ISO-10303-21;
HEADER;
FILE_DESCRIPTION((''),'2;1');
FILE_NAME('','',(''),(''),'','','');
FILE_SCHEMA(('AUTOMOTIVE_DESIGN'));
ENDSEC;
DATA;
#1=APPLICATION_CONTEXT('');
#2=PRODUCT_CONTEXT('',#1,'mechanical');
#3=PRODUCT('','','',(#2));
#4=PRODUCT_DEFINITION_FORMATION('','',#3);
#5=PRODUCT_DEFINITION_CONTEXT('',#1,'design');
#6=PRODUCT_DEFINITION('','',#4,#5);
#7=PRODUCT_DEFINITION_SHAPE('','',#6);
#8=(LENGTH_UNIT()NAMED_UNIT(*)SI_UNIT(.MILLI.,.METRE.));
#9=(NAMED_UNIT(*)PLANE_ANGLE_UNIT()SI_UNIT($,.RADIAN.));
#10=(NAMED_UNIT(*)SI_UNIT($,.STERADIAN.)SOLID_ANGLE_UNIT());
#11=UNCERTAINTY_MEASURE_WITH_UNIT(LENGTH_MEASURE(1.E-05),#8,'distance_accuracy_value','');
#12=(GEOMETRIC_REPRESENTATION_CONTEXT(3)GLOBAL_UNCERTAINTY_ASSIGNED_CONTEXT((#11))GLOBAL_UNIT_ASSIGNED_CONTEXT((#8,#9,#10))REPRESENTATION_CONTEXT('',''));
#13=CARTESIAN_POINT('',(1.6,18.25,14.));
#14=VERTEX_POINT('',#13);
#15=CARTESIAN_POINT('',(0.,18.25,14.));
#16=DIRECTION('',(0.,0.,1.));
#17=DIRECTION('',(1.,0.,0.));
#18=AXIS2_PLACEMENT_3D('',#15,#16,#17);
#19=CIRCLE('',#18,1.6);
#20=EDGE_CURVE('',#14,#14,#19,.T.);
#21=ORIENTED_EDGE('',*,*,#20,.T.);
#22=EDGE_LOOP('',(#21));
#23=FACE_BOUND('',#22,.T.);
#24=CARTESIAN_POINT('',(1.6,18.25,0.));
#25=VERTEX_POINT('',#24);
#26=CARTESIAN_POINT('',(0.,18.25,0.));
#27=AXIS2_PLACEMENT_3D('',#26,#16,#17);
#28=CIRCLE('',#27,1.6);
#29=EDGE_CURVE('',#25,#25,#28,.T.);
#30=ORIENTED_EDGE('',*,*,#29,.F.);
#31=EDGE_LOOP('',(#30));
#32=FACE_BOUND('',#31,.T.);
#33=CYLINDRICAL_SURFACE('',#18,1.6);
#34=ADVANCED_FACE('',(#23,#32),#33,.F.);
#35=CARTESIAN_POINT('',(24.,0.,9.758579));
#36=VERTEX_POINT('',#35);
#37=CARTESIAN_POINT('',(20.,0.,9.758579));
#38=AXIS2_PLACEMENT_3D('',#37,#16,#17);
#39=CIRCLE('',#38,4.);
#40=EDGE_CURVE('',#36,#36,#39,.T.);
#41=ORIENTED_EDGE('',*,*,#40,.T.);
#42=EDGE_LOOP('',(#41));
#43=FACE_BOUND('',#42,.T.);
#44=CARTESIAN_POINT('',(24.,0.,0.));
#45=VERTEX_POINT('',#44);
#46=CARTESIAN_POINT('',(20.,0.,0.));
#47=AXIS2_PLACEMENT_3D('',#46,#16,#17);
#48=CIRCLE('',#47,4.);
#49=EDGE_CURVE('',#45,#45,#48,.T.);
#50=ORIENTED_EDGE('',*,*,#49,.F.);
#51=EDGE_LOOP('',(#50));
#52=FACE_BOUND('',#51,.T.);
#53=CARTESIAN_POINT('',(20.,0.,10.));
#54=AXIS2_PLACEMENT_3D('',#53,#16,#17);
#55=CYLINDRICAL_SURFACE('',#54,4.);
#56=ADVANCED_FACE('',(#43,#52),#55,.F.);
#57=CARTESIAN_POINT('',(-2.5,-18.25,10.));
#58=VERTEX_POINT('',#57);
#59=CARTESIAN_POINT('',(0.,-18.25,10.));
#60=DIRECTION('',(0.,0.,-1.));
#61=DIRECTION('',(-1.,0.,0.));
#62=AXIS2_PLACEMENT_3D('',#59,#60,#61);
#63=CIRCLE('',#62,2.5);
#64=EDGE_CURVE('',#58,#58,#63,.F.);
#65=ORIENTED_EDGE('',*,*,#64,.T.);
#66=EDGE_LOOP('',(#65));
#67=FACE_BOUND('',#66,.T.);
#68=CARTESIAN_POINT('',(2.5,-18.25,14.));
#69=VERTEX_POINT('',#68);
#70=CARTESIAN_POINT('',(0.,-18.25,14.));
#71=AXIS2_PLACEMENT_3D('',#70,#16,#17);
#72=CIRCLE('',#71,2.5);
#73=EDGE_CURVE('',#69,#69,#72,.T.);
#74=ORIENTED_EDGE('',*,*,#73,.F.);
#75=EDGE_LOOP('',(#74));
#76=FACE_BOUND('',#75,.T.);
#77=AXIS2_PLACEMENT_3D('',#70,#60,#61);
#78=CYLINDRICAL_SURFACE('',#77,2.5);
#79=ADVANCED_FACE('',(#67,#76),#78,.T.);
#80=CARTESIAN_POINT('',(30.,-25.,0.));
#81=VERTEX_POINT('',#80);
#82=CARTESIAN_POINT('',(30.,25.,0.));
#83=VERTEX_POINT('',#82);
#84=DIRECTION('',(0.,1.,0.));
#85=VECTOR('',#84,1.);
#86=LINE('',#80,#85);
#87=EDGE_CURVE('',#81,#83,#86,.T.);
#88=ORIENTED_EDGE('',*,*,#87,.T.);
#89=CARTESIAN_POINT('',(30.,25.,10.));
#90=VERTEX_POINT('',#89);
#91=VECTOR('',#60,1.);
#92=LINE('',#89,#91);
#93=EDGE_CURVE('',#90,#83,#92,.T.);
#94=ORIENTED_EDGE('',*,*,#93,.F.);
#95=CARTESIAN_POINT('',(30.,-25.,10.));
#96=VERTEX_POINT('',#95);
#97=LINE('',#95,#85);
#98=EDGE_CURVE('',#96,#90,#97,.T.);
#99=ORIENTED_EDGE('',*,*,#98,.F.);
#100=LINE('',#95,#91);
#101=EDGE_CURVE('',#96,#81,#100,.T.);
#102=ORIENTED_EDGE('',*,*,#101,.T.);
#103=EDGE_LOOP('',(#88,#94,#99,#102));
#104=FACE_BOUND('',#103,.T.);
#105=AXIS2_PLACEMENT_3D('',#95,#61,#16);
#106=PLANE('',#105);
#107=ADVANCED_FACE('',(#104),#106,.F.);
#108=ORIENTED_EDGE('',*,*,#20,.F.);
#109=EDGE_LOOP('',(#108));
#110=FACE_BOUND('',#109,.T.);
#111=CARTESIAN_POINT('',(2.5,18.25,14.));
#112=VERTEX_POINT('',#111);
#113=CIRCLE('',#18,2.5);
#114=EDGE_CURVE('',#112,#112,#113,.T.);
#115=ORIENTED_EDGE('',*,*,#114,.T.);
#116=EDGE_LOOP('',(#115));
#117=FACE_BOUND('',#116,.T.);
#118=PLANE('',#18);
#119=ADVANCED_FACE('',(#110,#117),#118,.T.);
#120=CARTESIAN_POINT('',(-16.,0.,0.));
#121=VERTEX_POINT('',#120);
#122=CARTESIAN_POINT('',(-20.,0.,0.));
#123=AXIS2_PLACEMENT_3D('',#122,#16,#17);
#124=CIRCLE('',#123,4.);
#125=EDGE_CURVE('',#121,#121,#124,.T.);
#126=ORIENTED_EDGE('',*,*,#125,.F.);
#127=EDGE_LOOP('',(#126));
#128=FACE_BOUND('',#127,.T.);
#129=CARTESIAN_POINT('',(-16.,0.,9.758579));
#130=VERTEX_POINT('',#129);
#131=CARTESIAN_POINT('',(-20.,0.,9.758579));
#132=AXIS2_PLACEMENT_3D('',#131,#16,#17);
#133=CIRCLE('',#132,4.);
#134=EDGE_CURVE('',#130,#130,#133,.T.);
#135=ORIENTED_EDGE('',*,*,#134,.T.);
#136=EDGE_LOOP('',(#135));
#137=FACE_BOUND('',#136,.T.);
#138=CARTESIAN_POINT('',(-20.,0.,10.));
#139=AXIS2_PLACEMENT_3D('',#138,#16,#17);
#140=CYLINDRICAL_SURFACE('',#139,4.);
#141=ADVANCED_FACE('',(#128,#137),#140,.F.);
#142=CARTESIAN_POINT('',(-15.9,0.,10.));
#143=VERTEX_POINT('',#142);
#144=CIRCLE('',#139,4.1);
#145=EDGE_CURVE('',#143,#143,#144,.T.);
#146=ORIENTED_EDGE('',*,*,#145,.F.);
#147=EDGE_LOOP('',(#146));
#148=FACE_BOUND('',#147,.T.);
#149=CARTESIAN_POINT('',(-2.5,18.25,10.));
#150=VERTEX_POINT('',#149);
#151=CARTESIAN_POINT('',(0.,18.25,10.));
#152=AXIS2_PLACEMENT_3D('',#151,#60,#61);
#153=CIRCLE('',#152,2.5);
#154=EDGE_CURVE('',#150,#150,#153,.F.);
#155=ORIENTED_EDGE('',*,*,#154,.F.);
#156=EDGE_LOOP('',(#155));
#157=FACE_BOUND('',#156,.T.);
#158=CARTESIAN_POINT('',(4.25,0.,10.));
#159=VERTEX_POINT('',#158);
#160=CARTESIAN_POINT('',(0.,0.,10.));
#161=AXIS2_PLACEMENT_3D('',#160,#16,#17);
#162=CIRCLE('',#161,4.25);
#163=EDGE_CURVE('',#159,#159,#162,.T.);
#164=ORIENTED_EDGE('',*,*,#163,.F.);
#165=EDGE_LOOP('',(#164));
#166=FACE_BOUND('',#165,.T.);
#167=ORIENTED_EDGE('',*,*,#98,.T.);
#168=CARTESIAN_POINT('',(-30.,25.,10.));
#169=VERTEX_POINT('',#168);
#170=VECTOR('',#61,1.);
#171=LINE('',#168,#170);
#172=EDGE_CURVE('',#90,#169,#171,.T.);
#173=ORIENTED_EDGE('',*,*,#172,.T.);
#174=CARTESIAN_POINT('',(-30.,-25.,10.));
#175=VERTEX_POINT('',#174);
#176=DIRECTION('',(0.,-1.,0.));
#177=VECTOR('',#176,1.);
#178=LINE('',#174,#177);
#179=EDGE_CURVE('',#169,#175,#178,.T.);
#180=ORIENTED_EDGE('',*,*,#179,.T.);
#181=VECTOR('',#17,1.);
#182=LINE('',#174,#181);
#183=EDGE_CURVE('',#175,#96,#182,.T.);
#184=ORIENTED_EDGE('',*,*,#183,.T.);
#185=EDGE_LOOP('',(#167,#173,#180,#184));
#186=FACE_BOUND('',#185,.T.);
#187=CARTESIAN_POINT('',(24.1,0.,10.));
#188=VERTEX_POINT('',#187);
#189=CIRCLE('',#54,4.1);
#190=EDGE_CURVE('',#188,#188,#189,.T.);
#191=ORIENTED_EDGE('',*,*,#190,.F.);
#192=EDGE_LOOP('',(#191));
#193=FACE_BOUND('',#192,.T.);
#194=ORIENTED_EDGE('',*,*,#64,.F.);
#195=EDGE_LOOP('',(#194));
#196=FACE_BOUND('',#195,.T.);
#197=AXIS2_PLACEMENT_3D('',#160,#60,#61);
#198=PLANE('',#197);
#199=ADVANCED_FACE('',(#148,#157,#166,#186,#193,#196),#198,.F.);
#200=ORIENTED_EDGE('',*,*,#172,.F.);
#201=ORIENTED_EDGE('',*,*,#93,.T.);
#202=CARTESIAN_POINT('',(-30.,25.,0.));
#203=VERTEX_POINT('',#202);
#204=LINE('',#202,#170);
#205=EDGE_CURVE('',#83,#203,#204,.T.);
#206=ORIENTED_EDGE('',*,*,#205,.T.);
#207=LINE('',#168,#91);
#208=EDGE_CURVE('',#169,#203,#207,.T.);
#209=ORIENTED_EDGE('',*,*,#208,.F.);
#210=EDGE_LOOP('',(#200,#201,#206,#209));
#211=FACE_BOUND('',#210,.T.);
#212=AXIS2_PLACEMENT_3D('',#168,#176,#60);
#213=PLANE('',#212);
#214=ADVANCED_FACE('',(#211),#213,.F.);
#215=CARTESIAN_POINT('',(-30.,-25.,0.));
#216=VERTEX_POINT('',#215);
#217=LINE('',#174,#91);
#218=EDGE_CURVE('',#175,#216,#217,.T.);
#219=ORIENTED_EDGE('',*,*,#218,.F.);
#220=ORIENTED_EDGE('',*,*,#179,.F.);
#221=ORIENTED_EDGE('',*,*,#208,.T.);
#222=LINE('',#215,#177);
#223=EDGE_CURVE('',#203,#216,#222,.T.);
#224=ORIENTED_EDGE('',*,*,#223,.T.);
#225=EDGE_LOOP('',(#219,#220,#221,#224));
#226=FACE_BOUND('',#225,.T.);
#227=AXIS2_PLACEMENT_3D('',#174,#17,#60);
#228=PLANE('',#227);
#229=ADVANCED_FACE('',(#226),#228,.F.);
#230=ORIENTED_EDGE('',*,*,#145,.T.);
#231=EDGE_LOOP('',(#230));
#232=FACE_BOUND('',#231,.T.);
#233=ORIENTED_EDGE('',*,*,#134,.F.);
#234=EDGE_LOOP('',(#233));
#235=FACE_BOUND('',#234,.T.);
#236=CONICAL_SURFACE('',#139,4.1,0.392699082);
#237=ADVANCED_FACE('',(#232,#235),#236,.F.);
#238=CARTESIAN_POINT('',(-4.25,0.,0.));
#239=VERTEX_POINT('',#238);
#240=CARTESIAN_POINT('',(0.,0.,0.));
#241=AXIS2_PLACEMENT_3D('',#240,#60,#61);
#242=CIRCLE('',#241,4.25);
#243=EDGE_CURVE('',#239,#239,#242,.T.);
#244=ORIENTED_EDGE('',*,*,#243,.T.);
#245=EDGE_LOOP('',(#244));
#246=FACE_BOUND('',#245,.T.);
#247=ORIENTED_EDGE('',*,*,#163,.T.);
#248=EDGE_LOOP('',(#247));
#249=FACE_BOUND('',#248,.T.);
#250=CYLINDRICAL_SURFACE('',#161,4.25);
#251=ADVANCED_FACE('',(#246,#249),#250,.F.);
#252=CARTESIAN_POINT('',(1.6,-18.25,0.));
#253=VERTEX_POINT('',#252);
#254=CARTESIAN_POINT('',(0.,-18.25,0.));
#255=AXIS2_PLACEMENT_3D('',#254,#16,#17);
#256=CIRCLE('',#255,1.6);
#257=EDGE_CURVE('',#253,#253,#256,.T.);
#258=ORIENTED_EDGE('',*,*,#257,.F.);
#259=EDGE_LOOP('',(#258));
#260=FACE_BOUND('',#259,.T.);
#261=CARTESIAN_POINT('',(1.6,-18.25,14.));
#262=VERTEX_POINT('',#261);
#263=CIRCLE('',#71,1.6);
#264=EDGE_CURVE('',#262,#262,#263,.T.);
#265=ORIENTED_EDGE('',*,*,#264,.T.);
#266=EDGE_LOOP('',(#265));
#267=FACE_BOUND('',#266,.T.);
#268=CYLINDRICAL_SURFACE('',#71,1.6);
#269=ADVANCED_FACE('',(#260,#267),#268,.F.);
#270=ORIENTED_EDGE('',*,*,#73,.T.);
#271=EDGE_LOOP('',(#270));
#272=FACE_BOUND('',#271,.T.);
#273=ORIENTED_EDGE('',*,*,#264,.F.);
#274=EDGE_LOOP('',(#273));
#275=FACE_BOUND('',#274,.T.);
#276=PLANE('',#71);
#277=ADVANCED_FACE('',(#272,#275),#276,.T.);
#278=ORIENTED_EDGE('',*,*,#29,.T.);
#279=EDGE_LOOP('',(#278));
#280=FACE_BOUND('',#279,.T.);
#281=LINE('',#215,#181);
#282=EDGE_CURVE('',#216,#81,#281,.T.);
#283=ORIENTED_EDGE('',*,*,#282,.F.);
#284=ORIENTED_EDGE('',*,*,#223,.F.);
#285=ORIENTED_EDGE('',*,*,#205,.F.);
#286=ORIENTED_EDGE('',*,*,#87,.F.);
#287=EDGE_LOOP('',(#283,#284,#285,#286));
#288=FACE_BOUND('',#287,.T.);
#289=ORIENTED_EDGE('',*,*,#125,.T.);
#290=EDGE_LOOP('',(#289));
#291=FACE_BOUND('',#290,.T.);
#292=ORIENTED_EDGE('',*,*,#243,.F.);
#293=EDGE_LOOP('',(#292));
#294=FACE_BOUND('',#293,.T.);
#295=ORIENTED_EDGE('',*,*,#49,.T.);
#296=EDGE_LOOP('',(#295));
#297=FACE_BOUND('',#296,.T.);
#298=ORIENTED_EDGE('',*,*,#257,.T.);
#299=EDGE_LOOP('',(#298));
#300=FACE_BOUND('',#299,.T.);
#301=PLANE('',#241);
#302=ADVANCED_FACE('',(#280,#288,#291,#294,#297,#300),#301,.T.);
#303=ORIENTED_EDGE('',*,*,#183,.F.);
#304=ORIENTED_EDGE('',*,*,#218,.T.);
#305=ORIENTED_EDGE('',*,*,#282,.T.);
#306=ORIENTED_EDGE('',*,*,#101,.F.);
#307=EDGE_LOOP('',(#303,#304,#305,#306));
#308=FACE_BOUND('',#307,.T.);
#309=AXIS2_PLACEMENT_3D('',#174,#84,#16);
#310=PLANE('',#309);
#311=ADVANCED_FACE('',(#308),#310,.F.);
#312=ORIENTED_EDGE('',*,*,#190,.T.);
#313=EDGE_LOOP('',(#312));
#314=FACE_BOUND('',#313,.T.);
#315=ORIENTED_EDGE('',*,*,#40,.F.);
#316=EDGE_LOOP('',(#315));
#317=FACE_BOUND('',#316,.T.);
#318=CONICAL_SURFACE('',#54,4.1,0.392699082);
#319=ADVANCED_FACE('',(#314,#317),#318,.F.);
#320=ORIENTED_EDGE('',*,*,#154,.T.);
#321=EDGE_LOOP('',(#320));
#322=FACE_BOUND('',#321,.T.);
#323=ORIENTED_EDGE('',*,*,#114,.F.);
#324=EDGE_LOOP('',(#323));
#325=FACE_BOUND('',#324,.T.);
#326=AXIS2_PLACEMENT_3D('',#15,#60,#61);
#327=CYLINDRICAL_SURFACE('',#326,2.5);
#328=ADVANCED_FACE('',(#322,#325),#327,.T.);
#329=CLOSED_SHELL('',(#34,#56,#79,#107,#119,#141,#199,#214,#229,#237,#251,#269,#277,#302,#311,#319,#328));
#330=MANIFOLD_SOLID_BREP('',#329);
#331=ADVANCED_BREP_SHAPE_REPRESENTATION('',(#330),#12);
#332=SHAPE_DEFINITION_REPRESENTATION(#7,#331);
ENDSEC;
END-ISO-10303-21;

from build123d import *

# Parameters (mm, degrees)
SKETCH_1_W                = 60
SKETCH_1_H                = 50
EXTRUDE_1_DEPTH           = 10
HOLE_WIZARD_1_D           = 8.5
HOLE_WIZARD_1_DEPTH       = 20
HOLE_WIZARD_2_D           = 8
HOLE_WIZARD_2_CSINK_D     = 8.2
HOLE_WIZARD_2_CSINK_ANGLE = 45
SKETCH_9_R                = 2.5
EXTRUDE_3_DEPTH           = 4
HOLE_WIZARD_3_D           = 3.2


with BuildPart() as part:
    # 草图1 → 凸台-拉伸1 (new body)
    with BuildSketch(Plane.XY):
        Rectangle(SKETCH_1_W, SKETCH_1_H)
    extrude(amount=EXTRUDE_1_DEPTH)

    # 孔1
    with Locations(Plane.XY.offset(10)):
        with Locations((0, 0)):
            Hole(HOLE_WIZARD_1_D / 2, depth=HOLE_WIZARD_1_DEPTH)

    # 孔2 (through all)
    with Locations(Plane.XY.offset(10)):
        with Locations((20, 0), (-20, 0)):
            CounterSinkHole(HOLE_WIZARD_2_D / 2, HOLE_WIZARD_2_CSINK_D / 2, counter_sink_angle=HOLE_WIZARD_2_CSINK_ANGLE)

    # 草图9 → 凸台-拉伸3 (add)
    with BuildSketch(Plane.XY.offset(10)):
        with Locations(Location((0, 18.25, 0), (0, 0, 180))):
            Circle(SKETCH_9_R)
        with Locations(Location((0, -18.25, 0), (0, 0, 180))):
            Circle(SKETCH_9_R)
    extrude(amount=EXTRUDE_3_DEPTH)

    # 孔3 (through all)
    with Locations(Plane.XY.offset(14)):
        with Locations((0, 18.25), (0, -18.25)):
            Hole(HOLE_WIZARD_3_D / 2)


solid = part.part
